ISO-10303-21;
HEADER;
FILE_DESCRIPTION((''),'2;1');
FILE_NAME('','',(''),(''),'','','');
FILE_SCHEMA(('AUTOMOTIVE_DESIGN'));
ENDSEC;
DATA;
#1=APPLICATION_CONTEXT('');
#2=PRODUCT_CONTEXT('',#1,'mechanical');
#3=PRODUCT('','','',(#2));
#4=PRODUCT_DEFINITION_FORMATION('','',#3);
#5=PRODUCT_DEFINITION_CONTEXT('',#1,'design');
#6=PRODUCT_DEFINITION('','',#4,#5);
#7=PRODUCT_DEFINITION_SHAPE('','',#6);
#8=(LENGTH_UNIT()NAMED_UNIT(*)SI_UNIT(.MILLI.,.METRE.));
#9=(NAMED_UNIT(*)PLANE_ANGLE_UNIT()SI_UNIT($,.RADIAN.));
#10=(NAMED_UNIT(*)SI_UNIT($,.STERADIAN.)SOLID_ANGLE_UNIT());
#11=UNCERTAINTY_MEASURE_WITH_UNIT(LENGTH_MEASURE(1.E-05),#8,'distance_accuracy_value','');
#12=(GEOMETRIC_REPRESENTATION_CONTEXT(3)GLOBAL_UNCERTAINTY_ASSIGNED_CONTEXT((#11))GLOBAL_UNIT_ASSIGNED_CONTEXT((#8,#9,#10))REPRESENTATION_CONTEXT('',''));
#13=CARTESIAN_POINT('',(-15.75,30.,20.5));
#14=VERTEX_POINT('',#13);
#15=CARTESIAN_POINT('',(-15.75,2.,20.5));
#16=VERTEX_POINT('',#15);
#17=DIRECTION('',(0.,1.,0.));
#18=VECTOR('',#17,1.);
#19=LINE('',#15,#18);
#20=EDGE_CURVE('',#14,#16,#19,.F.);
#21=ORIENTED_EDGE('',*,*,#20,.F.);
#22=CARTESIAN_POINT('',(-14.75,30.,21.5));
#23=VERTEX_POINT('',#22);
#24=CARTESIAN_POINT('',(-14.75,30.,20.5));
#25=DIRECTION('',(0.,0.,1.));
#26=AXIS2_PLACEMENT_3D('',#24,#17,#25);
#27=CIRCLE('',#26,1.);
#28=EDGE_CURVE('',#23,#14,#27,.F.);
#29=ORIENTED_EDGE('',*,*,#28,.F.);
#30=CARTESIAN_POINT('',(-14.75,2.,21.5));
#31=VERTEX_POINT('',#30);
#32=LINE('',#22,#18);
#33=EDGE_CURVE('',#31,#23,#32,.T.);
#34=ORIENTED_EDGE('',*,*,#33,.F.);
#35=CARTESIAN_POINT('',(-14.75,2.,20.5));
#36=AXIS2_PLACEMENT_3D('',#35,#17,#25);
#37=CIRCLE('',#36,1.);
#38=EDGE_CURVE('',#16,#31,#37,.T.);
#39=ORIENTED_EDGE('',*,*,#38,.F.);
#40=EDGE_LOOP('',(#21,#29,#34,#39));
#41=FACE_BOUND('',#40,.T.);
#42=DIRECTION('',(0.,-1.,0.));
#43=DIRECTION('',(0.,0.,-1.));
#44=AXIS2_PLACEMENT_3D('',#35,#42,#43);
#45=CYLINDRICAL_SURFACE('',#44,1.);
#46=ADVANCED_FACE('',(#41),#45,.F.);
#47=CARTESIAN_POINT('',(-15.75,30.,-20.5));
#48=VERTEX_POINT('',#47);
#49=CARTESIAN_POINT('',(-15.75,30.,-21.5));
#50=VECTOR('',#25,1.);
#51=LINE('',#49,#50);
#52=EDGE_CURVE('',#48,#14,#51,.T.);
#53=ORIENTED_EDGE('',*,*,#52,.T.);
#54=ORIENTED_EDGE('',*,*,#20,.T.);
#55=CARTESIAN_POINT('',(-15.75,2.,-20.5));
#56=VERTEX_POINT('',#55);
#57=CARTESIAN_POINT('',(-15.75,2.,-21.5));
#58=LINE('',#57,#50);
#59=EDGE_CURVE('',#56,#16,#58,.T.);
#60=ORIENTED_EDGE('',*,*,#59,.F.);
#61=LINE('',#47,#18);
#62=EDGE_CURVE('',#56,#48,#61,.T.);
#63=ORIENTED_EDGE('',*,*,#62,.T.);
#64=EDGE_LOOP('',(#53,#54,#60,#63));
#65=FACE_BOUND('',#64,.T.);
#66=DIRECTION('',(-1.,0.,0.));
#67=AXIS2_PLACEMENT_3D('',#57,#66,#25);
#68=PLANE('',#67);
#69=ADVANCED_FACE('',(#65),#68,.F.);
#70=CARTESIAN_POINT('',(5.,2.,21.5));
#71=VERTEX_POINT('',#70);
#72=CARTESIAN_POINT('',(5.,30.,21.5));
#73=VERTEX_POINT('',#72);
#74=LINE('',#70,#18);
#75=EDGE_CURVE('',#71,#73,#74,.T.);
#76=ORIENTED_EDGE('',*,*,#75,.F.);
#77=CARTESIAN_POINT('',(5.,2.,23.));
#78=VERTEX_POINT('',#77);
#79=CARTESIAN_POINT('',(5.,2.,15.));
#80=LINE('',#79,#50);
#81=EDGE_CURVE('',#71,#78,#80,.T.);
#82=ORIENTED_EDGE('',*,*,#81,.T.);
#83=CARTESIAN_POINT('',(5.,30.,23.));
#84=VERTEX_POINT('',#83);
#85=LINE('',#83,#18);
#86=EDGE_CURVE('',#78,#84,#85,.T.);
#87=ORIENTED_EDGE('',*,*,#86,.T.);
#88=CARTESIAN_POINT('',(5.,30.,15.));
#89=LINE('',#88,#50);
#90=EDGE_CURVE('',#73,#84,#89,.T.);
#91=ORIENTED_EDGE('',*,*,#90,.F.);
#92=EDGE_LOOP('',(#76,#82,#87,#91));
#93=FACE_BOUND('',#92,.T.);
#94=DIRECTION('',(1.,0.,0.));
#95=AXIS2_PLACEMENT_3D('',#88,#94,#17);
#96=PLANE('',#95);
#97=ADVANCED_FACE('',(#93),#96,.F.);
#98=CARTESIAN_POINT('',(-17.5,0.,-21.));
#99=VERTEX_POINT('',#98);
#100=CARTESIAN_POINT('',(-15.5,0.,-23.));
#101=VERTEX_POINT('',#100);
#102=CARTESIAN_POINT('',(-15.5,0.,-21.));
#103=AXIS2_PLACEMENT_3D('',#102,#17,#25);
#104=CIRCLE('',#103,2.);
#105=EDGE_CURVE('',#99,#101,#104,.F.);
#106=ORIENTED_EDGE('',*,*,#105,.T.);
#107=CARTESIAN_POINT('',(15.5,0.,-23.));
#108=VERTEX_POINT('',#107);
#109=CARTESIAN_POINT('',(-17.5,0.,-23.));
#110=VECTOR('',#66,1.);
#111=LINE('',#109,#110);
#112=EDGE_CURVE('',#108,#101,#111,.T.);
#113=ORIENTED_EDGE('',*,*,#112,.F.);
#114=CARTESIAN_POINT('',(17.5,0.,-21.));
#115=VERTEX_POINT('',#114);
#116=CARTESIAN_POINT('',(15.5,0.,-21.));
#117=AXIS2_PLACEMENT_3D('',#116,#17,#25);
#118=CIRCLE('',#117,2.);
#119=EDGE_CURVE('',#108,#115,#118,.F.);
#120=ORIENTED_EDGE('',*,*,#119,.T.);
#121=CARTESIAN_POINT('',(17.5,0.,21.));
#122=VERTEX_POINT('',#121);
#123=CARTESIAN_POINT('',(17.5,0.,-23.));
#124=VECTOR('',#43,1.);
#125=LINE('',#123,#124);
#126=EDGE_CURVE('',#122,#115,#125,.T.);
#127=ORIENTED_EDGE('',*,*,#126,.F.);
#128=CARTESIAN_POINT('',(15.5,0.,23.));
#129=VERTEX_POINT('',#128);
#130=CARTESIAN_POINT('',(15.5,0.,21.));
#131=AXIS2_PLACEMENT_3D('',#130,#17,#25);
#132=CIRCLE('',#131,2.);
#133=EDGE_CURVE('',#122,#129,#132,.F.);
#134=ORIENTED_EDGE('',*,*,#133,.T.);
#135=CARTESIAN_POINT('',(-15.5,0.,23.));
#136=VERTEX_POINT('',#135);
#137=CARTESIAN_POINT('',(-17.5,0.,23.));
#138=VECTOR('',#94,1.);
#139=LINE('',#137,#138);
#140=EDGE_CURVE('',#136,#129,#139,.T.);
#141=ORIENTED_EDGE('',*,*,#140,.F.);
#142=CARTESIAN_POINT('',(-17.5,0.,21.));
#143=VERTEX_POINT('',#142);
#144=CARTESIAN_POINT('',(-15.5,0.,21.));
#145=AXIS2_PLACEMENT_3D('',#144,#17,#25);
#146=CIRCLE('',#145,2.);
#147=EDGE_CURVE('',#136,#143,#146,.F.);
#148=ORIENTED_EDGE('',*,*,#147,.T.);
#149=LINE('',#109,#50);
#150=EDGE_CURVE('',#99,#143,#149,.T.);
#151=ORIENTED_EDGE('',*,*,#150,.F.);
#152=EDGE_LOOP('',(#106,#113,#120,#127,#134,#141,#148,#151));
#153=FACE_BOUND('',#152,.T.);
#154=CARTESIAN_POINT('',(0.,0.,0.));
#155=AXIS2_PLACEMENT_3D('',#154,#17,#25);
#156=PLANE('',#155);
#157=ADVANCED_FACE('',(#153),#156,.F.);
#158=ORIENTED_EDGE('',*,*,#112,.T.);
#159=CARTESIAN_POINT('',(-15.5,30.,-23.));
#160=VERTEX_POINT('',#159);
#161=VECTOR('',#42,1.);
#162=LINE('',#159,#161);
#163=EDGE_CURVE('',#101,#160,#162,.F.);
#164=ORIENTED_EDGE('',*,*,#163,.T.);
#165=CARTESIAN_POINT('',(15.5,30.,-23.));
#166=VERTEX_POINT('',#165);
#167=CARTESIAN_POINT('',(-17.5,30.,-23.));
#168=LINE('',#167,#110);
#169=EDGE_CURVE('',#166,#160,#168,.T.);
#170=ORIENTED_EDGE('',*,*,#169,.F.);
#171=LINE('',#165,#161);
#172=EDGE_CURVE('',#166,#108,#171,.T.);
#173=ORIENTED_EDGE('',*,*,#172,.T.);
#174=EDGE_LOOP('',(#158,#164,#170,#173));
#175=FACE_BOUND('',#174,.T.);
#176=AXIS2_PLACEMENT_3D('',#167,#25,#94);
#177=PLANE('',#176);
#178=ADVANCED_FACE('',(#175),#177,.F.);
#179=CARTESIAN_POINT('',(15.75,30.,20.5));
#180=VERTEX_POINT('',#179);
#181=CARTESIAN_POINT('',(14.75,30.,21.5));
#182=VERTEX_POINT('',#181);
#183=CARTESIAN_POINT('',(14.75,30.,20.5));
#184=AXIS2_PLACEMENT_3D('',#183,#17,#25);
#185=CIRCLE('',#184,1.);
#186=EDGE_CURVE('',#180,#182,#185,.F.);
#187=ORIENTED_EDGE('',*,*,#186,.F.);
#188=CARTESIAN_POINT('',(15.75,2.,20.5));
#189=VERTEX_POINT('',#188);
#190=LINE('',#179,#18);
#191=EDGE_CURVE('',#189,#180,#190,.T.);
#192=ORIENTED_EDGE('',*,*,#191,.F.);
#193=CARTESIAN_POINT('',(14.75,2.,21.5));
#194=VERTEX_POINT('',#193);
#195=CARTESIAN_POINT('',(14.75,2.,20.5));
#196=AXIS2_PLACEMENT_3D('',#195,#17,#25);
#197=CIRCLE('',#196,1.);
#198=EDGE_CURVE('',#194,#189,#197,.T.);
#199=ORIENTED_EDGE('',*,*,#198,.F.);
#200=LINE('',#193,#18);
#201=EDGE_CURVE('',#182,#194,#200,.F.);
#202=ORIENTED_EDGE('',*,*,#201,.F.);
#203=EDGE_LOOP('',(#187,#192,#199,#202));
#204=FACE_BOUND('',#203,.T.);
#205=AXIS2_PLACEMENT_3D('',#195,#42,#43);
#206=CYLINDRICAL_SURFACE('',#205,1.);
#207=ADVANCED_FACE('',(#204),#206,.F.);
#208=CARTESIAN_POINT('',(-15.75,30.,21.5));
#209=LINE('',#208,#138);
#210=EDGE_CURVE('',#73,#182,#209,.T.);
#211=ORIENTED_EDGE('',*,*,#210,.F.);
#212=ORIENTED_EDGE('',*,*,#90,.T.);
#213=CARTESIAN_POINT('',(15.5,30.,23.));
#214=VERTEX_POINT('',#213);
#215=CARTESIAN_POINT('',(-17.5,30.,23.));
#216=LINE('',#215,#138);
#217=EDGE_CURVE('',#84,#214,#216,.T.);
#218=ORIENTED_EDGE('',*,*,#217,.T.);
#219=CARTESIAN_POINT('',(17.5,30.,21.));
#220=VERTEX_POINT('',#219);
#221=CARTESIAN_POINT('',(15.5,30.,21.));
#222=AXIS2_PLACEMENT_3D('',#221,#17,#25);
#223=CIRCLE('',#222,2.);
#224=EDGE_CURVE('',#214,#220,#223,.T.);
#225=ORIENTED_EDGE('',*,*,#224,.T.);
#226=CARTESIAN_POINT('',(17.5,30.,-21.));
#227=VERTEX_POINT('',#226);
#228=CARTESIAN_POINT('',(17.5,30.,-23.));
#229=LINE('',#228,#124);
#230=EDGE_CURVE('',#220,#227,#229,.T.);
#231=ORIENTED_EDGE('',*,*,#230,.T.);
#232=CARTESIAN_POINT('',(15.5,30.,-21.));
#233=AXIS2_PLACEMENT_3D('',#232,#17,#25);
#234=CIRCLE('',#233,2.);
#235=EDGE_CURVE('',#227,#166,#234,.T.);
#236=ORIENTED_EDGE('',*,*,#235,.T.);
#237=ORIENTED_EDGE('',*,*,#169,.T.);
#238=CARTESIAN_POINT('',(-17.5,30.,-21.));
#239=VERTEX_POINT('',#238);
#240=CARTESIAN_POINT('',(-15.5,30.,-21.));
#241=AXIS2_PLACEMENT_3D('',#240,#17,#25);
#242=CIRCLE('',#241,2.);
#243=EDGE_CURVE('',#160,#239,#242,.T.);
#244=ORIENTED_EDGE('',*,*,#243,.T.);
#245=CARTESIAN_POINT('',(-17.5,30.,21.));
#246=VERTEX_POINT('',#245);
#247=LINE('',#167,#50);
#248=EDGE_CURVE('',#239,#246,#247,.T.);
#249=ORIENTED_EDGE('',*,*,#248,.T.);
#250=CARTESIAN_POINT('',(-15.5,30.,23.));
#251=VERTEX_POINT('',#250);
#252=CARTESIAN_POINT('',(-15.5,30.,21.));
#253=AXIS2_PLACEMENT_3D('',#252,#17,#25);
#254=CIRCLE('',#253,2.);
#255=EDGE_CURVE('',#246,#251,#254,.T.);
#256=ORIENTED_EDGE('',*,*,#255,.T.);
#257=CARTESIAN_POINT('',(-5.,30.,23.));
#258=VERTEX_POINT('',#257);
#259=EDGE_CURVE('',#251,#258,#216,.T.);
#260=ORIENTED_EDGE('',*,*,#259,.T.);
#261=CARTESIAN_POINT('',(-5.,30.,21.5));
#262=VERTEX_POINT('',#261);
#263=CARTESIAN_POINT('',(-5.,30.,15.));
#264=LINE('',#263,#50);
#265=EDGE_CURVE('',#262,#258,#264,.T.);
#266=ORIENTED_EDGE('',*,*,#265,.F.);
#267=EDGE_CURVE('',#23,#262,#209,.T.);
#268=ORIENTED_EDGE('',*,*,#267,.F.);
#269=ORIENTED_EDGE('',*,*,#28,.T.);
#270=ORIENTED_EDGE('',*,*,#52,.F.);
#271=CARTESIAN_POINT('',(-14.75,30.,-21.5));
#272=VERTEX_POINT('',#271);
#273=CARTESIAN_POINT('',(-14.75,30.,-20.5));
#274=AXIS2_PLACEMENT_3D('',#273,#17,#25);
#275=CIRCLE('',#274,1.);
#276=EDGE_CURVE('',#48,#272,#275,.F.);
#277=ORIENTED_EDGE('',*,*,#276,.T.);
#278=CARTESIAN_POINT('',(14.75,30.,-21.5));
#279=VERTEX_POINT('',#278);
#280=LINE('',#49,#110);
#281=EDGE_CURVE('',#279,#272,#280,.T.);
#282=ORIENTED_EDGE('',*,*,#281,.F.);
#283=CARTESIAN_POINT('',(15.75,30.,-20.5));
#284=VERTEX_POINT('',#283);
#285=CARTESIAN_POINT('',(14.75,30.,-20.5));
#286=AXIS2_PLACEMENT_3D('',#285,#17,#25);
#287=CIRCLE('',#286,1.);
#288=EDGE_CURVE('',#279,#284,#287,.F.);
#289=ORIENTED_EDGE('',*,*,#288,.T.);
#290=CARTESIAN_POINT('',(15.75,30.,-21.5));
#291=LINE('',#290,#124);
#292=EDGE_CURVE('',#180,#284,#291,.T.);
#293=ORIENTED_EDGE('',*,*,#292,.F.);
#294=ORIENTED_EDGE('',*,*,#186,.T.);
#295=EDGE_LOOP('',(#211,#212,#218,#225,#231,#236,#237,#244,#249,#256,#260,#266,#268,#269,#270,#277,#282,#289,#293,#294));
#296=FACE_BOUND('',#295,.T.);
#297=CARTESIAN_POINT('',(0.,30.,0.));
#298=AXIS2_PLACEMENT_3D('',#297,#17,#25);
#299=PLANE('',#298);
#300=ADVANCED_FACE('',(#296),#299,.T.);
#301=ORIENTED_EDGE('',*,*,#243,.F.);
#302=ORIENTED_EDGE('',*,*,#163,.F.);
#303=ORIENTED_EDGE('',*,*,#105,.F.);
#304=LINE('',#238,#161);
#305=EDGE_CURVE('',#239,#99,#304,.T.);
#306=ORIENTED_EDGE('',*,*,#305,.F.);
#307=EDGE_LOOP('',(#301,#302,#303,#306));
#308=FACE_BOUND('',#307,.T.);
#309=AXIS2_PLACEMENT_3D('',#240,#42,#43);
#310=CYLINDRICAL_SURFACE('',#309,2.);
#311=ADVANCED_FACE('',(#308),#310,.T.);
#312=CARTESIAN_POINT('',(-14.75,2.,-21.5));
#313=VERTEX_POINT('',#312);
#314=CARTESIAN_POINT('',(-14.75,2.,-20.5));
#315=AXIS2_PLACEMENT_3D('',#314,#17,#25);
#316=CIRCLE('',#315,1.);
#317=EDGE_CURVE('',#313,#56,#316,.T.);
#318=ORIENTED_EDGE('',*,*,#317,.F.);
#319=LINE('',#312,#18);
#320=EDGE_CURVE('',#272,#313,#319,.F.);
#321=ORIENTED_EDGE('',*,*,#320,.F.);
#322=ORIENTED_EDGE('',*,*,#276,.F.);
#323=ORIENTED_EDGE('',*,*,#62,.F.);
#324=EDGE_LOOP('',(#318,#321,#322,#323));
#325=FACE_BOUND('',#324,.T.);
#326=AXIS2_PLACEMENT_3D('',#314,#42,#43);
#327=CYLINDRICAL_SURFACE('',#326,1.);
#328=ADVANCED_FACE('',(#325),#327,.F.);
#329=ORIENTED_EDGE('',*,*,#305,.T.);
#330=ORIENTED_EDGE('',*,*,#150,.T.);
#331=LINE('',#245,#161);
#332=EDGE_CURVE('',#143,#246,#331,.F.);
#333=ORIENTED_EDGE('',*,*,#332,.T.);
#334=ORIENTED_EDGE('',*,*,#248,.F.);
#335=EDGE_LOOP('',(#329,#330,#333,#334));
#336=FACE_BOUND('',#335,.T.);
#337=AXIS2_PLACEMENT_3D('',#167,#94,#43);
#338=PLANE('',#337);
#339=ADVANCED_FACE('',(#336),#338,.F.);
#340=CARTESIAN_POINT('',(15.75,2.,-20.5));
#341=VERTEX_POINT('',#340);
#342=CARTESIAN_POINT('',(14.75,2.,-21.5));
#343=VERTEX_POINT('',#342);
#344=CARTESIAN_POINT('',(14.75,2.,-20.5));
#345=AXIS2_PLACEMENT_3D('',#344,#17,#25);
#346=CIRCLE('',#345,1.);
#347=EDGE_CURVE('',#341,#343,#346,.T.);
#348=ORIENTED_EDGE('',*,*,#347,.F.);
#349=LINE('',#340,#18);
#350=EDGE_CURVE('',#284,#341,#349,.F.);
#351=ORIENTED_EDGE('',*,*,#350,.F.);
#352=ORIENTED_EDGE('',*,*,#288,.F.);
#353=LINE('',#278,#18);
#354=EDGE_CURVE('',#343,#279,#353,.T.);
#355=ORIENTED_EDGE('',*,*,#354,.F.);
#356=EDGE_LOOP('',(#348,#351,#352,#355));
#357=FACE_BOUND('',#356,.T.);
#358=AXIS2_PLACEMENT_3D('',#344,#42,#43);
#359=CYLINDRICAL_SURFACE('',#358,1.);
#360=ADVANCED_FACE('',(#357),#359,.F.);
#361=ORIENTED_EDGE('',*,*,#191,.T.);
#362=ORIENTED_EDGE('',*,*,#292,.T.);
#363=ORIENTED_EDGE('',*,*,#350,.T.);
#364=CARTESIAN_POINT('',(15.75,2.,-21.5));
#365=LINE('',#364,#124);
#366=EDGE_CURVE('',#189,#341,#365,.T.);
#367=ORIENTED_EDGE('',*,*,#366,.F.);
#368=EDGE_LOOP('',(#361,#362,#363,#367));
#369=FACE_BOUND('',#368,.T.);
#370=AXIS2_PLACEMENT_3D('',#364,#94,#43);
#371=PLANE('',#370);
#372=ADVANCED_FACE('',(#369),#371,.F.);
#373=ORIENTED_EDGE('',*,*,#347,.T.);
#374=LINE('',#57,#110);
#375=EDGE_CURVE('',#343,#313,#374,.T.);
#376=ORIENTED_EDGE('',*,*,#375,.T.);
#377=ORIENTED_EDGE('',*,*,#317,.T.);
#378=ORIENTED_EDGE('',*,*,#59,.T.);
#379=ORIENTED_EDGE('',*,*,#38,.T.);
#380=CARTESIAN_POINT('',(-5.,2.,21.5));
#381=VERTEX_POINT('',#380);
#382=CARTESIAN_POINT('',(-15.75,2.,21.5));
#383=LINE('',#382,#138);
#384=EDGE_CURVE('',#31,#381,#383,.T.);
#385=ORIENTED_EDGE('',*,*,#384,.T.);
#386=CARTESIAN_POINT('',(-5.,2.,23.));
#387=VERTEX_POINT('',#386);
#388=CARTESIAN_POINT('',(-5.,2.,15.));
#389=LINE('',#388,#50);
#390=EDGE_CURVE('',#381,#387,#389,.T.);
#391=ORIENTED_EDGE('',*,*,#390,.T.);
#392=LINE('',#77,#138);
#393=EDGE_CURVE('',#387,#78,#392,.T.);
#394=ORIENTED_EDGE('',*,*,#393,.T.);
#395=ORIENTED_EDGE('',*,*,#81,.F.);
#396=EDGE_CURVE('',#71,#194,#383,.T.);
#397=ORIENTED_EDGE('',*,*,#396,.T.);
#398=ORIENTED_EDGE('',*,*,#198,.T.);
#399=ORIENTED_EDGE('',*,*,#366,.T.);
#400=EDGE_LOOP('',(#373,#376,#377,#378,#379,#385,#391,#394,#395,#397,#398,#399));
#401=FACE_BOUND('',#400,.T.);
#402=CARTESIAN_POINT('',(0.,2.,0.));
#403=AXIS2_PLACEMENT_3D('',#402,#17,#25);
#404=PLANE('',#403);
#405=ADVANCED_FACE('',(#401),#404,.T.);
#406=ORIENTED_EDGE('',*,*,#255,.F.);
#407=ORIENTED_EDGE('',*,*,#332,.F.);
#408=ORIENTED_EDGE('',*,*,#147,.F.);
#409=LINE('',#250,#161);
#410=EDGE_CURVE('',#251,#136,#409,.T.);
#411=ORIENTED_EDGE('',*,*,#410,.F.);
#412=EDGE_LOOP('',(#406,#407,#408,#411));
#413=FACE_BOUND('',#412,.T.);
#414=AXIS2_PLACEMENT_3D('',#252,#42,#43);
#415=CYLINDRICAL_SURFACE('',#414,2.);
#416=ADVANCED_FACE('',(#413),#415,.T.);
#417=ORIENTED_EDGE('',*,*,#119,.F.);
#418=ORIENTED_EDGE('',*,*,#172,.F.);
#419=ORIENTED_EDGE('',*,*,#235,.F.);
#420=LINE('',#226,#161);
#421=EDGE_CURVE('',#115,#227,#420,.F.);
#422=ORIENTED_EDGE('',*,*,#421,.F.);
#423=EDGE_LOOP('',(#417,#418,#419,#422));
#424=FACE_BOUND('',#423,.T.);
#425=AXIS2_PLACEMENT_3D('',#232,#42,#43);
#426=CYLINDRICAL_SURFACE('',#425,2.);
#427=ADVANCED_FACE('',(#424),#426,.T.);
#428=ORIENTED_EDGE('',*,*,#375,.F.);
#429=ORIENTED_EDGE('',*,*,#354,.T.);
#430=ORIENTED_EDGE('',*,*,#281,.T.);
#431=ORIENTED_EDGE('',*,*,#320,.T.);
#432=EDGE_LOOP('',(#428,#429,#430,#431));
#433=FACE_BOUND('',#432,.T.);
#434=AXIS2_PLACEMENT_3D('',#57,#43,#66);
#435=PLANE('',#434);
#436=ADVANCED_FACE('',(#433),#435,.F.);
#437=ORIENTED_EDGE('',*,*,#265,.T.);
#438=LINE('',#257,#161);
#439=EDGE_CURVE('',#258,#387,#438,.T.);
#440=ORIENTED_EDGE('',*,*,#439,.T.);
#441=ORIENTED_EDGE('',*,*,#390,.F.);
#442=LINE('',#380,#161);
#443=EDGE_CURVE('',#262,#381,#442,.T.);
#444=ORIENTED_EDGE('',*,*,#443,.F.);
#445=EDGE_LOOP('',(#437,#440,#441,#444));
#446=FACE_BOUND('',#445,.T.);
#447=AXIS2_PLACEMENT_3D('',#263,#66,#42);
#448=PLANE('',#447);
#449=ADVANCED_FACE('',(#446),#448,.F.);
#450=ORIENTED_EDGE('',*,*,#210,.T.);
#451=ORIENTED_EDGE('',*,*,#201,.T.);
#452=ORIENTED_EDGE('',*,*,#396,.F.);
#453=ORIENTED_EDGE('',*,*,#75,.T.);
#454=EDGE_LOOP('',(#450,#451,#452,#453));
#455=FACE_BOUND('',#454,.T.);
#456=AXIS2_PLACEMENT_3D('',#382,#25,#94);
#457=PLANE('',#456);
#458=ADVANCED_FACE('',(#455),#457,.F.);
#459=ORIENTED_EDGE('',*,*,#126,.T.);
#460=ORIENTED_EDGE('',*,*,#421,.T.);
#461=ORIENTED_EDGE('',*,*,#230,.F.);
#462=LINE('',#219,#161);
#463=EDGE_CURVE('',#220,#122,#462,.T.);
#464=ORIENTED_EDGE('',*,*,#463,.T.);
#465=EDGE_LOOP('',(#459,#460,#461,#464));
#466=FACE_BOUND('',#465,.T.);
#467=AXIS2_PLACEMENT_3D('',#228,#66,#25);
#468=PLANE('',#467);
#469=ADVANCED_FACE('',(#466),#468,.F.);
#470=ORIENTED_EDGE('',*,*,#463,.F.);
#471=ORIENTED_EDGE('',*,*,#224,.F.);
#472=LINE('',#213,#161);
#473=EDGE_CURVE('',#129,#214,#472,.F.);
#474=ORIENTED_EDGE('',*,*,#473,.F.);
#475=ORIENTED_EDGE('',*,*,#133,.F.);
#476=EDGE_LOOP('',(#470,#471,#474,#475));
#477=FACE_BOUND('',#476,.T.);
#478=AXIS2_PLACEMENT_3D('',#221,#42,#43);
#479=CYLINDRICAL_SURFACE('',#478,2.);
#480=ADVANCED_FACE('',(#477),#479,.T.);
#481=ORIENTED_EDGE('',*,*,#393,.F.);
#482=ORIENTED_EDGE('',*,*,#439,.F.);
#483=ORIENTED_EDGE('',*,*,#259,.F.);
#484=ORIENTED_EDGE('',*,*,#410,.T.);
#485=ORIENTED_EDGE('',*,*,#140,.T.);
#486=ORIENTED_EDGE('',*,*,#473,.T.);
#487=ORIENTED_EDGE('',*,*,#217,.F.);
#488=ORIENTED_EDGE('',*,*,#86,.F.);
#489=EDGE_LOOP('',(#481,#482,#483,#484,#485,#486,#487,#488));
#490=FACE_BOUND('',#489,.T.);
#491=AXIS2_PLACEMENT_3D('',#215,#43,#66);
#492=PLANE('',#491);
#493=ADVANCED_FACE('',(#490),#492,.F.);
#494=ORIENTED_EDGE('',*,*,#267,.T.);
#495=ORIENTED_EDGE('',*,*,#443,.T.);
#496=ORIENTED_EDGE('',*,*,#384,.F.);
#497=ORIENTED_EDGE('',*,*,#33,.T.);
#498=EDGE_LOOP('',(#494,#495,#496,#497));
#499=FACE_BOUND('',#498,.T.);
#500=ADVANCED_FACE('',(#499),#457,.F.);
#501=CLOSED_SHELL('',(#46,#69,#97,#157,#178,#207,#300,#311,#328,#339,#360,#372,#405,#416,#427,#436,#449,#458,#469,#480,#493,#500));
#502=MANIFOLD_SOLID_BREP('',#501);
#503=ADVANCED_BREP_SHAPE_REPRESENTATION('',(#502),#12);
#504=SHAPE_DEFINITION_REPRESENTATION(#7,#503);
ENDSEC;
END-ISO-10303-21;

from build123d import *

# Parameters (mm, degrees)
SKETCH1_W           = 35
SKETCH1_H           = 46
BOSS_EXTRUDE1_DEPTH = 30
SKETCH2_W           = 31.5
SKETCH2_H           = 43
CUT_EXTRUDE1_DEPTH  = 28
FILLET1_R           = 2
FILLET2_R           = 1
SKETCH3_W           = 10
SKETCH3_H           = 28
CUT_EXTRUDE2_DEPTH  = 8


with BuildPart() as part:
    # Sketch1 → Boss-Extrude1 (new body)
    with BuildSketch(Plane(origin=(0, 0, 0), x_dir=(1, 0, 0), z_dir=(0, 1, 0))):
        Rectangle(SKETCH1_W, SKETCH1_H)
    extrude(amount=BOSS_EXTRUDE1_DEPTH)

    # Sketch2 → Cut-Extrude1 (cut)
    with BuildSketch(Plane(origin=(0, 30, 0), x_dir=(1, 0, 0), z_dir=(0, 1, 0))):
        Rectangle(SKETCH2_W, SKETCH2_H)
    extrude(amount=-CUT_EXTRUDE1_DEPTH, mode=Mode.SUBTRACT)

    # Fillet1
    fillet1_edges = [part.edges().sort_by_distance(p)[0] for p in [
        (17.5, 15, 23),
        (-17.5, 15, 23),
        (-17.5, 15, -23),
        (17.5, 15, -23),
    ]]
    fillet(fillet1_edges, radius=FILLET1_R)

    # Fillet2
    fillet2_edges = [part.edges().sort_by_distance(p)[0] for p in [
        (15.75, 16, -21.5),
        (15.75, 16, 21.5),
        (-15.75, 16, 21.5),
        (-15.75, 16, -21.5),
    ]]
    fillet(fillet2_edges, radius=FILLET2_R)

    # Sketch3 → Cut-Extrude2 (cut)
    with BuildSketch(Plane.XY.offset(23)):
        with Locations((0, 16)):
            Rectangle(SKETCH3_W, SKETCH3_H)
    extrude(amount=-CUT_EXTRUDE2_DEPTH, mode=Mode.SUBTRACT)


solid = part.part
